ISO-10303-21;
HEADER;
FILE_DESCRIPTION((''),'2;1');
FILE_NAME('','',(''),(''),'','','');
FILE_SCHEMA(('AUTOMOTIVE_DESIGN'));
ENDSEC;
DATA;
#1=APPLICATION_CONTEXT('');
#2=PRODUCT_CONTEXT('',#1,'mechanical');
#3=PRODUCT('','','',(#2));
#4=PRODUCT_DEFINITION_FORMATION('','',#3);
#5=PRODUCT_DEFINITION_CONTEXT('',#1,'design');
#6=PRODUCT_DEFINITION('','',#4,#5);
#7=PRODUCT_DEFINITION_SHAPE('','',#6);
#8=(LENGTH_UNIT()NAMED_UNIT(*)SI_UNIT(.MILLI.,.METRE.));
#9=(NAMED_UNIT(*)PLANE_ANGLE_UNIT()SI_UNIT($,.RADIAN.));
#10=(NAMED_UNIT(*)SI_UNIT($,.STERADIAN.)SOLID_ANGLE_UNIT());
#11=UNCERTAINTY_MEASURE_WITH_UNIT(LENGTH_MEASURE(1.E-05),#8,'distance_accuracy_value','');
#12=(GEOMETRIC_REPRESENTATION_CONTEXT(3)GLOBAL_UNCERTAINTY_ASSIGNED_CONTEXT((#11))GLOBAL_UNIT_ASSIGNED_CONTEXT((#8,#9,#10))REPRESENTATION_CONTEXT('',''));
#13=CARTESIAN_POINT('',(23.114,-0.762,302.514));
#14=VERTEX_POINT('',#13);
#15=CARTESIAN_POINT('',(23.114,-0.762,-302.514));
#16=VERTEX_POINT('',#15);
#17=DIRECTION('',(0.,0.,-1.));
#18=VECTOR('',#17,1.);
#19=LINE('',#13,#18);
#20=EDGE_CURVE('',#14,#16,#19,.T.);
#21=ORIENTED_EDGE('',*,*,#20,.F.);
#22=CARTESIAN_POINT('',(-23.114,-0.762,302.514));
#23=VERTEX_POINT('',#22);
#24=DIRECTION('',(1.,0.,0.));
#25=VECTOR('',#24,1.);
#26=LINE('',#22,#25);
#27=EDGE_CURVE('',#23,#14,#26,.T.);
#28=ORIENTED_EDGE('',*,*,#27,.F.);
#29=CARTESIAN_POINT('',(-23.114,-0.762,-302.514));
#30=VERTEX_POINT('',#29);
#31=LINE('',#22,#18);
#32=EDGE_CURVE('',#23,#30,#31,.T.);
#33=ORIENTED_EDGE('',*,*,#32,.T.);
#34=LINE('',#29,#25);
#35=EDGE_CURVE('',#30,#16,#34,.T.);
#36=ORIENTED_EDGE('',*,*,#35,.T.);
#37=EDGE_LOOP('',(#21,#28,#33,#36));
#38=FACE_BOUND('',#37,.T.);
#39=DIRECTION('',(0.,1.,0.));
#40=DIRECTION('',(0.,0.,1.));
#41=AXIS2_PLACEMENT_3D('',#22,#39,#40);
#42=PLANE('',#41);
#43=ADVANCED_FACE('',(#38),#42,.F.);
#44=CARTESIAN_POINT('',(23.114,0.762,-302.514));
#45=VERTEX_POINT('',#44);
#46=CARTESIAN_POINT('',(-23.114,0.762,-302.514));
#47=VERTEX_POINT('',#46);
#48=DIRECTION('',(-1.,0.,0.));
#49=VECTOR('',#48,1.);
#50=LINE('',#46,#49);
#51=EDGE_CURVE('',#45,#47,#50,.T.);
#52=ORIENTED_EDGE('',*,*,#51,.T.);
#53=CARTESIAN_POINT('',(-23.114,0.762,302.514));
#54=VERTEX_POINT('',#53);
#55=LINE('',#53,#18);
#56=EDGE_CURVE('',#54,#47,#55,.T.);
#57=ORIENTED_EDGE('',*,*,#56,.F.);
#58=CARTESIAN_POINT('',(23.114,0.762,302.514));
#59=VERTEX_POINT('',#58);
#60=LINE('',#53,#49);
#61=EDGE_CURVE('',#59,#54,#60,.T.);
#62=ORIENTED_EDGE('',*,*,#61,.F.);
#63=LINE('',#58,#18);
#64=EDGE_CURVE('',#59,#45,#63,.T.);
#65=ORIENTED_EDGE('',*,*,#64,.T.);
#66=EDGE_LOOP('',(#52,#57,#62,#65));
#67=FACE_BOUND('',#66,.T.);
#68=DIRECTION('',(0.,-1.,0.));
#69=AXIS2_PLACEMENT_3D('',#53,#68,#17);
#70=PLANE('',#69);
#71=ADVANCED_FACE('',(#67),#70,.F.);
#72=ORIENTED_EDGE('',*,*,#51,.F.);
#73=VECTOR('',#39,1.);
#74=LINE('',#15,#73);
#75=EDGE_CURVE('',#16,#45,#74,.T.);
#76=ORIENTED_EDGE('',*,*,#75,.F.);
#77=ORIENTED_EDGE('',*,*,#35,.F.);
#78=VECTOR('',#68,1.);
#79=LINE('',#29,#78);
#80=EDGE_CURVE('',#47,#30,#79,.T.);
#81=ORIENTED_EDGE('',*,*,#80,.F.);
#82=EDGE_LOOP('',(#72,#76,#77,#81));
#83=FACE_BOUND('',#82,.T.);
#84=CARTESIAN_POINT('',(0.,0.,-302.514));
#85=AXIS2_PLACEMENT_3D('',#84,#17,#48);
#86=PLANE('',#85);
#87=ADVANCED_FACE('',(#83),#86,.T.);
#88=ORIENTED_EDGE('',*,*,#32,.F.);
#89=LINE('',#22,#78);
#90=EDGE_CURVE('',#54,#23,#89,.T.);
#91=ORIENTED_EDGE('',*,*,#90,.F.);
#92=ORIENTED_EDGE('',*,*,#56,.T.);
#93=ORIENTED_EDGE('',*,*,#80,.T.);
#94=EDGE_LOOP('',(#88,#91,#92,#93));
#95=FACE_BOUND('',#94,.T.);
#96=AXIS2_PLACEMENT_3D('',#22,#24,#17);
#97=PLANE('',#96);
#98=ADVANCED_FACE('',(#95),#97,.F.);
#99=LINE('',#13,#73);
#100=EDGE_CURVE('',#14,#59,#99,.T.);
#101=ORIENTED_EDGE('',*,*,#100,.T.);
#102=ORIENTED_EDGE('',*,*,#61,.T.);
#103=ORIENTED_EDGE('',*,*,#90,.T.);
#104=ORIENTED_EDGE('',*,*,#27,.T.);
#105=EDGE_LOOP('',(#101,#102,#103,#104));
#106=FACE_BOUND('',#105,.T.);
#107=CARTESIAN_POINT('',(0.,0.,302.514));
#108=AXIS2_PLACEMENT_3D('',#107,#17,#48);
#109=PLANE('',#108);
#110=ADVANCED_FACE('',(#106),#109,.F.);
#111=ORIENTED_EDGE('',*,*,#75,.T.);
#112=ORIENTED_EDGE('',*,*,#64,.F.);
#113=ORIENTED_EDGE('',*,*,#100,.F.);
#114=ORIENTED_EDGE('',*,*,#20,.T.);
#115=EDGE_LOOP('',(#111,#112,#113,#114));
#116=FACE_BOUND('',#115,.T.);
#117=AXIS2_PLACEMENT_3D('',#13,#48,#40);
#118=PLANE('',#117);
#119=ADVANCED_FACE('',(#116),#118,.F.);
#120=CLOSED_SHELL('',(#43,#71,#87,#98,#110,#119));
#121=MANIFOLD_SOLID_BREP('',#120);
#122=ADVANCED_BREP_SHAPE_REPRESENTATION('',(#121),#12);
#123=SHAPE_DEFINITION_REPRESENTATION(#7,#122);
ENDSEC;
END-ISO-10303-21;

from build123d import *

# Parameters (mm, degrees)
SKETCH1_W              = 46.228
SKETCH1_H              = 1.524
DIFFUSER_PROFILE_DEPTH = 302.514


with BuildPart() as part:
    # Sketch1 → Diffuser Profile (new body, symmetric)
    with BuildSketch(Plane.XY):
        Rectangle(SKETCH1_W, SKETCH1_H)
    extrude(amount=DIFFUSER_PROFILE_DEPTH, both=True)


solid = part.part
